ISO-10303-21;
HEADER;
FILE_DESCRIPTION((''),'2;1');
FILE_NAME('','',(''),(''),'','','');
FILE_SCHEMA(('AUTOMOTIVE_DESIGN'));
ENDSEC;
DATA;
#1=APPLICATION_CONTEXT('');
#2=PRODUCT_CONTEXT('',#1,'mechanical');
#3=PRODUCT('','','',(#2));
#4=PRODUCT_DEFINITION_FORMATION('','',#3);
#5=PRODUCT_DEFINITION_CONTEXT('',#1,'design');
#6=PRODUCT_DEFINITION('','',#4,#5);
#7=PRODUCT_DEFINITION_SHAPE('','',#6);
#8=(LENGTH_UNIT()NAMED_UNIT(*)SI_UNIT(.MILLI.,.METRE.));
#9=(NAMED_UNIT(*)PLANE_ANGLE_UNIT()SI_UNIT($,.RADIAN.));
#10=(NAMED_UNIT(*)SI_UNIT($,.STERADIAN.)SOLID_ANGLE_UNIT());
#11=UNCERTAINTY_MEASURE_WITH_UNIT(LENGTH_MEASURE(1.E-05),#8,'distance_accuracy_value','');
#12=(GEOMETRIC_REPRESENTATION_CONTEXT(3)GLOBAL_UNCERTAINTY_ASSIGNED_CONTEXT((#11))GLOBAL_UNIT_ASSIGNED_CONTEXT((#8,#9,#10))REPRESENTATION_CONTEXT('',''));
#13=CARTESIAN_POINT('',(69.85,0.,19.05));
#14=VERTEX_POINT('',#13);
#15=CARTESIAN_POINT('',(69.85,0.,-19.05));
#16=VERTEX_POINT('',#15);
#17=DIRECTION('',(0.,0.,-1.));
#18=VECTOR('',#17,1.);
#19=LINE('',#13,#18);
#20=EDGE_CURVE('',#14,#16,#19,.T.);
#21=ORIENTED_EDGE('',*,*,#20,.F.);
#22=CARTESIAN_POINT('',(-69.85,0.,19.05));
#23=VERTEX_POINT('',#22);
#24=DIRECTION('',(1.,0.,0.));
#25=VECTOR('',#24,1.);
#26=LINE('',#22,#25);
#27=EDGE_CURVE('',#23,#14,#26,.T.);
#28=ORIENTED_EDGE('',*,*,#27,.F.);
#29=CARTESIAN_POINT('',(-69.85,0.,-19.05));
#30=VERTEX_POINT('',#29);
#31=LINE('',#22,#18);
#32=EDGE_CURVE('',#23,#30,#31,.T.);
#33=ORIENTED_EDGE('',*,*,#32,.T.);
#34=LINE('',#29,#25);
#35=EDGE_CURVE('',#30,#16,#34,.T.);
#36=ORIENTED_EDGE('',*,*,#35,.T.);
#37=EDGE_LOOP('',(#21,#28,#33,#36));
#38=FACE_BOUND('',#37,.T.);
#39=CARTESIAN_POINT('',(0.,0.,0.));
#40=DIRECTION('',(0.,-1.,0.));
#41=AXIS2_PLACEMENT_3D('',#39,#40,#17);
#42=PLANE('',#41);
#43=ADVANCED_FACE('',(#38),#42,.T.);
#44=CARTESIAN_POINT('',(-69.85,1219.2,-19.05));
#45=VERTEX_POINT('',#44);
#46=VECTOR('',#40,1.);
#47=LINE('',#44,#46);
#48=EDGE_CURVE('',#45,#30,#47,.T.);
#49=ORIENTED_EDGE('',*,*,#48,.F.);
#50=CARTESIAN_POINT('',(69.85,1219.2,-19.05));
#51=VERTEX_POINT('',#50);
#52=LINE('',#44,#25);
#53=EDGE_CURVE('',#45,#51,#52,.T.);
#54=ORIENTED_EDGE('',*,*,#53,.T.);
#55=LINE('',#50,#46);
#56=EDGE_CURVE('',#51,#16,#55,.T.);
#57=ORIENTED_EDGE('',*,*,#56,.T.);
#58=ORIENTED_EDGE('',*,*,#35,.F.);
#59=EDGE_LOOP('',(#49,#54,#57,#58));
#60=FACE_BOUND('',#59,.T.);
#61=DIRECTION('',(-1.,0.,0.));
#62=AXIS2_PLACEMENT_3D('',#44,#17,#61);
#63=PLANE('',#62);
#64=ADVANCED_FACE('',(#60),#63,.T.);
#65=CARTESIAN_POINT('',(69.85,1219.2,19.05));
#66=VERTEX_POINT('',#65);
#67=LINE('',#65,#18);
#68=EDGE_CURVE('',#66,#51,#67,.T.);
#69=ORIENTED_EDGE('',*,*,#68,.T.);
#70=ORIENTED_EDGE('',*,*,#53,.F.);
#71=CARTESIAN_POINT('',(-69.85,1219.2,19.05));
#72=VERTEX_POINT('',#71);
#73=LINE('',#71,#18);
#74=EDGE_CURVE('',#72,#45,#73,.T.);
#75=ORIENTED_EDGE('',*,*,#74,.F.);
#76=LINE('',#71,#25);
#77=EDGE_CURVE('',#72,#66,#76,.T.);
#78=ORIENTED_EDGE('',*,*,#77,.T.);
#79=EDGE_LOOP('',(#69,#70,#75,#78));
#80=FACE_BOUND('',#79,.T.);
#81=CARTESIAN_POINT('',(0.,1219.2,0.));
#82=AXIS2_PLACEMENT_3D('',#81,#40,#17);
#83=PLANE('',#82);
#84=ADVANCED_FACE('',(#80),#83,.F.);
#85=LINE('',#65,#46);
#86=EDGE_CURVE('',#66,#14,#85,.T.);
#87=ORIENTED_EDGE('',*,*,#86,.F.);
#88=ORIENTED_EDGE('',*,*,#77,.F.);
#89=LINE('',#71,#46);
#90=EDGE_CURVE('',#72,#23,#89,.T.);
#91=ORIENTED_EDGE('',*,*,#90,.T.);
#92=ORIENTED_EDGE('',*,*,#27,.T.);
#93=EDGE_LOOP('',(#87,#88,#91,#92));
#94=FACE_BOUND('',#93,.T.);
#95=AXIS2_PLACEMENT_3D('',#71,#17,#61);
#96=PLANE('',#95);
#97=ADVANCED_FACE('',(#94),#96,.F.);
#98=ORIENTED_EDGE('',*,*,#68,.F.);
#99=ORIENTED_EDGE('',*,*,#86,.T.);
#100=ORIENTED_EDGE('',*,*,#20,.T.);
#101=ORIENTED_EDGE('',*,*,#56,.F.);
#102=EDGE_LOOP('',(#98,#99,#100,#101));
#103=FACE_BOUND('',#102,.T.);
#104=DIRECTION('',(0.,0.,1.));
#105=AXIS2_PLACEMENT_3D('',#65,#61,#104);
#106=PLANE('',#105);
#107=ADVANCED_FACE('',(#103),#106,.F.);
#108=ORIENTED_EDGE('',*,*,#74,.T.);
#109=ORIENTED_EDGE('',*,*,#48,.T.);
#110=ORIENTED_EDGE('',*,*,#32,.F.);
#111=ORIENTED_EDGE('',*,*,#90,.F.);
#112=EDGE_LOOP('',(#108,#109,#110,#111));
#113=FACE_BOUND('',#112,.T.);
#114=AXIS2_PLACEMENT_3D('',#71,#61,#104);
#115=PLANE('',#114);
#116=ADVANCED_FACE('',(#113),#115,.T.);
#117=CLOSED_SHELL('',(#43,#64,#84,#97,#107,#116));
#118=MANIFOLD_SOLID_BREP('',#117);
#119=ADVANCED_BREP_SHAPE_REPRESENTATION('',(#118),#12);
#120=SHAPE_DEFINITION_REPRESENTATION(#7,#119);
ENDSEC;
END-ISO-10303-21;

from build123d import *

# Parameters (mm, degrees)
SKETCH1_W           = 139.7
SKETCH1_H           = 38.1
BOSS_EXTRUDE1_DEPTH = 1219.2


with BuildPart() as part:
    # Sketch1 → Boss-Extrude1 (new body)
    with BuildSketch(Plane(origin=(0, 0, 0), x_dir=(1, 0, 0), z_dir=(0, 1, 0))):
        Rectangle(SKETCH1_W, SKETCH1_H)
    extrude(amount=BOSS_EXTRUDE1_DEPTH)


solid = part.part
